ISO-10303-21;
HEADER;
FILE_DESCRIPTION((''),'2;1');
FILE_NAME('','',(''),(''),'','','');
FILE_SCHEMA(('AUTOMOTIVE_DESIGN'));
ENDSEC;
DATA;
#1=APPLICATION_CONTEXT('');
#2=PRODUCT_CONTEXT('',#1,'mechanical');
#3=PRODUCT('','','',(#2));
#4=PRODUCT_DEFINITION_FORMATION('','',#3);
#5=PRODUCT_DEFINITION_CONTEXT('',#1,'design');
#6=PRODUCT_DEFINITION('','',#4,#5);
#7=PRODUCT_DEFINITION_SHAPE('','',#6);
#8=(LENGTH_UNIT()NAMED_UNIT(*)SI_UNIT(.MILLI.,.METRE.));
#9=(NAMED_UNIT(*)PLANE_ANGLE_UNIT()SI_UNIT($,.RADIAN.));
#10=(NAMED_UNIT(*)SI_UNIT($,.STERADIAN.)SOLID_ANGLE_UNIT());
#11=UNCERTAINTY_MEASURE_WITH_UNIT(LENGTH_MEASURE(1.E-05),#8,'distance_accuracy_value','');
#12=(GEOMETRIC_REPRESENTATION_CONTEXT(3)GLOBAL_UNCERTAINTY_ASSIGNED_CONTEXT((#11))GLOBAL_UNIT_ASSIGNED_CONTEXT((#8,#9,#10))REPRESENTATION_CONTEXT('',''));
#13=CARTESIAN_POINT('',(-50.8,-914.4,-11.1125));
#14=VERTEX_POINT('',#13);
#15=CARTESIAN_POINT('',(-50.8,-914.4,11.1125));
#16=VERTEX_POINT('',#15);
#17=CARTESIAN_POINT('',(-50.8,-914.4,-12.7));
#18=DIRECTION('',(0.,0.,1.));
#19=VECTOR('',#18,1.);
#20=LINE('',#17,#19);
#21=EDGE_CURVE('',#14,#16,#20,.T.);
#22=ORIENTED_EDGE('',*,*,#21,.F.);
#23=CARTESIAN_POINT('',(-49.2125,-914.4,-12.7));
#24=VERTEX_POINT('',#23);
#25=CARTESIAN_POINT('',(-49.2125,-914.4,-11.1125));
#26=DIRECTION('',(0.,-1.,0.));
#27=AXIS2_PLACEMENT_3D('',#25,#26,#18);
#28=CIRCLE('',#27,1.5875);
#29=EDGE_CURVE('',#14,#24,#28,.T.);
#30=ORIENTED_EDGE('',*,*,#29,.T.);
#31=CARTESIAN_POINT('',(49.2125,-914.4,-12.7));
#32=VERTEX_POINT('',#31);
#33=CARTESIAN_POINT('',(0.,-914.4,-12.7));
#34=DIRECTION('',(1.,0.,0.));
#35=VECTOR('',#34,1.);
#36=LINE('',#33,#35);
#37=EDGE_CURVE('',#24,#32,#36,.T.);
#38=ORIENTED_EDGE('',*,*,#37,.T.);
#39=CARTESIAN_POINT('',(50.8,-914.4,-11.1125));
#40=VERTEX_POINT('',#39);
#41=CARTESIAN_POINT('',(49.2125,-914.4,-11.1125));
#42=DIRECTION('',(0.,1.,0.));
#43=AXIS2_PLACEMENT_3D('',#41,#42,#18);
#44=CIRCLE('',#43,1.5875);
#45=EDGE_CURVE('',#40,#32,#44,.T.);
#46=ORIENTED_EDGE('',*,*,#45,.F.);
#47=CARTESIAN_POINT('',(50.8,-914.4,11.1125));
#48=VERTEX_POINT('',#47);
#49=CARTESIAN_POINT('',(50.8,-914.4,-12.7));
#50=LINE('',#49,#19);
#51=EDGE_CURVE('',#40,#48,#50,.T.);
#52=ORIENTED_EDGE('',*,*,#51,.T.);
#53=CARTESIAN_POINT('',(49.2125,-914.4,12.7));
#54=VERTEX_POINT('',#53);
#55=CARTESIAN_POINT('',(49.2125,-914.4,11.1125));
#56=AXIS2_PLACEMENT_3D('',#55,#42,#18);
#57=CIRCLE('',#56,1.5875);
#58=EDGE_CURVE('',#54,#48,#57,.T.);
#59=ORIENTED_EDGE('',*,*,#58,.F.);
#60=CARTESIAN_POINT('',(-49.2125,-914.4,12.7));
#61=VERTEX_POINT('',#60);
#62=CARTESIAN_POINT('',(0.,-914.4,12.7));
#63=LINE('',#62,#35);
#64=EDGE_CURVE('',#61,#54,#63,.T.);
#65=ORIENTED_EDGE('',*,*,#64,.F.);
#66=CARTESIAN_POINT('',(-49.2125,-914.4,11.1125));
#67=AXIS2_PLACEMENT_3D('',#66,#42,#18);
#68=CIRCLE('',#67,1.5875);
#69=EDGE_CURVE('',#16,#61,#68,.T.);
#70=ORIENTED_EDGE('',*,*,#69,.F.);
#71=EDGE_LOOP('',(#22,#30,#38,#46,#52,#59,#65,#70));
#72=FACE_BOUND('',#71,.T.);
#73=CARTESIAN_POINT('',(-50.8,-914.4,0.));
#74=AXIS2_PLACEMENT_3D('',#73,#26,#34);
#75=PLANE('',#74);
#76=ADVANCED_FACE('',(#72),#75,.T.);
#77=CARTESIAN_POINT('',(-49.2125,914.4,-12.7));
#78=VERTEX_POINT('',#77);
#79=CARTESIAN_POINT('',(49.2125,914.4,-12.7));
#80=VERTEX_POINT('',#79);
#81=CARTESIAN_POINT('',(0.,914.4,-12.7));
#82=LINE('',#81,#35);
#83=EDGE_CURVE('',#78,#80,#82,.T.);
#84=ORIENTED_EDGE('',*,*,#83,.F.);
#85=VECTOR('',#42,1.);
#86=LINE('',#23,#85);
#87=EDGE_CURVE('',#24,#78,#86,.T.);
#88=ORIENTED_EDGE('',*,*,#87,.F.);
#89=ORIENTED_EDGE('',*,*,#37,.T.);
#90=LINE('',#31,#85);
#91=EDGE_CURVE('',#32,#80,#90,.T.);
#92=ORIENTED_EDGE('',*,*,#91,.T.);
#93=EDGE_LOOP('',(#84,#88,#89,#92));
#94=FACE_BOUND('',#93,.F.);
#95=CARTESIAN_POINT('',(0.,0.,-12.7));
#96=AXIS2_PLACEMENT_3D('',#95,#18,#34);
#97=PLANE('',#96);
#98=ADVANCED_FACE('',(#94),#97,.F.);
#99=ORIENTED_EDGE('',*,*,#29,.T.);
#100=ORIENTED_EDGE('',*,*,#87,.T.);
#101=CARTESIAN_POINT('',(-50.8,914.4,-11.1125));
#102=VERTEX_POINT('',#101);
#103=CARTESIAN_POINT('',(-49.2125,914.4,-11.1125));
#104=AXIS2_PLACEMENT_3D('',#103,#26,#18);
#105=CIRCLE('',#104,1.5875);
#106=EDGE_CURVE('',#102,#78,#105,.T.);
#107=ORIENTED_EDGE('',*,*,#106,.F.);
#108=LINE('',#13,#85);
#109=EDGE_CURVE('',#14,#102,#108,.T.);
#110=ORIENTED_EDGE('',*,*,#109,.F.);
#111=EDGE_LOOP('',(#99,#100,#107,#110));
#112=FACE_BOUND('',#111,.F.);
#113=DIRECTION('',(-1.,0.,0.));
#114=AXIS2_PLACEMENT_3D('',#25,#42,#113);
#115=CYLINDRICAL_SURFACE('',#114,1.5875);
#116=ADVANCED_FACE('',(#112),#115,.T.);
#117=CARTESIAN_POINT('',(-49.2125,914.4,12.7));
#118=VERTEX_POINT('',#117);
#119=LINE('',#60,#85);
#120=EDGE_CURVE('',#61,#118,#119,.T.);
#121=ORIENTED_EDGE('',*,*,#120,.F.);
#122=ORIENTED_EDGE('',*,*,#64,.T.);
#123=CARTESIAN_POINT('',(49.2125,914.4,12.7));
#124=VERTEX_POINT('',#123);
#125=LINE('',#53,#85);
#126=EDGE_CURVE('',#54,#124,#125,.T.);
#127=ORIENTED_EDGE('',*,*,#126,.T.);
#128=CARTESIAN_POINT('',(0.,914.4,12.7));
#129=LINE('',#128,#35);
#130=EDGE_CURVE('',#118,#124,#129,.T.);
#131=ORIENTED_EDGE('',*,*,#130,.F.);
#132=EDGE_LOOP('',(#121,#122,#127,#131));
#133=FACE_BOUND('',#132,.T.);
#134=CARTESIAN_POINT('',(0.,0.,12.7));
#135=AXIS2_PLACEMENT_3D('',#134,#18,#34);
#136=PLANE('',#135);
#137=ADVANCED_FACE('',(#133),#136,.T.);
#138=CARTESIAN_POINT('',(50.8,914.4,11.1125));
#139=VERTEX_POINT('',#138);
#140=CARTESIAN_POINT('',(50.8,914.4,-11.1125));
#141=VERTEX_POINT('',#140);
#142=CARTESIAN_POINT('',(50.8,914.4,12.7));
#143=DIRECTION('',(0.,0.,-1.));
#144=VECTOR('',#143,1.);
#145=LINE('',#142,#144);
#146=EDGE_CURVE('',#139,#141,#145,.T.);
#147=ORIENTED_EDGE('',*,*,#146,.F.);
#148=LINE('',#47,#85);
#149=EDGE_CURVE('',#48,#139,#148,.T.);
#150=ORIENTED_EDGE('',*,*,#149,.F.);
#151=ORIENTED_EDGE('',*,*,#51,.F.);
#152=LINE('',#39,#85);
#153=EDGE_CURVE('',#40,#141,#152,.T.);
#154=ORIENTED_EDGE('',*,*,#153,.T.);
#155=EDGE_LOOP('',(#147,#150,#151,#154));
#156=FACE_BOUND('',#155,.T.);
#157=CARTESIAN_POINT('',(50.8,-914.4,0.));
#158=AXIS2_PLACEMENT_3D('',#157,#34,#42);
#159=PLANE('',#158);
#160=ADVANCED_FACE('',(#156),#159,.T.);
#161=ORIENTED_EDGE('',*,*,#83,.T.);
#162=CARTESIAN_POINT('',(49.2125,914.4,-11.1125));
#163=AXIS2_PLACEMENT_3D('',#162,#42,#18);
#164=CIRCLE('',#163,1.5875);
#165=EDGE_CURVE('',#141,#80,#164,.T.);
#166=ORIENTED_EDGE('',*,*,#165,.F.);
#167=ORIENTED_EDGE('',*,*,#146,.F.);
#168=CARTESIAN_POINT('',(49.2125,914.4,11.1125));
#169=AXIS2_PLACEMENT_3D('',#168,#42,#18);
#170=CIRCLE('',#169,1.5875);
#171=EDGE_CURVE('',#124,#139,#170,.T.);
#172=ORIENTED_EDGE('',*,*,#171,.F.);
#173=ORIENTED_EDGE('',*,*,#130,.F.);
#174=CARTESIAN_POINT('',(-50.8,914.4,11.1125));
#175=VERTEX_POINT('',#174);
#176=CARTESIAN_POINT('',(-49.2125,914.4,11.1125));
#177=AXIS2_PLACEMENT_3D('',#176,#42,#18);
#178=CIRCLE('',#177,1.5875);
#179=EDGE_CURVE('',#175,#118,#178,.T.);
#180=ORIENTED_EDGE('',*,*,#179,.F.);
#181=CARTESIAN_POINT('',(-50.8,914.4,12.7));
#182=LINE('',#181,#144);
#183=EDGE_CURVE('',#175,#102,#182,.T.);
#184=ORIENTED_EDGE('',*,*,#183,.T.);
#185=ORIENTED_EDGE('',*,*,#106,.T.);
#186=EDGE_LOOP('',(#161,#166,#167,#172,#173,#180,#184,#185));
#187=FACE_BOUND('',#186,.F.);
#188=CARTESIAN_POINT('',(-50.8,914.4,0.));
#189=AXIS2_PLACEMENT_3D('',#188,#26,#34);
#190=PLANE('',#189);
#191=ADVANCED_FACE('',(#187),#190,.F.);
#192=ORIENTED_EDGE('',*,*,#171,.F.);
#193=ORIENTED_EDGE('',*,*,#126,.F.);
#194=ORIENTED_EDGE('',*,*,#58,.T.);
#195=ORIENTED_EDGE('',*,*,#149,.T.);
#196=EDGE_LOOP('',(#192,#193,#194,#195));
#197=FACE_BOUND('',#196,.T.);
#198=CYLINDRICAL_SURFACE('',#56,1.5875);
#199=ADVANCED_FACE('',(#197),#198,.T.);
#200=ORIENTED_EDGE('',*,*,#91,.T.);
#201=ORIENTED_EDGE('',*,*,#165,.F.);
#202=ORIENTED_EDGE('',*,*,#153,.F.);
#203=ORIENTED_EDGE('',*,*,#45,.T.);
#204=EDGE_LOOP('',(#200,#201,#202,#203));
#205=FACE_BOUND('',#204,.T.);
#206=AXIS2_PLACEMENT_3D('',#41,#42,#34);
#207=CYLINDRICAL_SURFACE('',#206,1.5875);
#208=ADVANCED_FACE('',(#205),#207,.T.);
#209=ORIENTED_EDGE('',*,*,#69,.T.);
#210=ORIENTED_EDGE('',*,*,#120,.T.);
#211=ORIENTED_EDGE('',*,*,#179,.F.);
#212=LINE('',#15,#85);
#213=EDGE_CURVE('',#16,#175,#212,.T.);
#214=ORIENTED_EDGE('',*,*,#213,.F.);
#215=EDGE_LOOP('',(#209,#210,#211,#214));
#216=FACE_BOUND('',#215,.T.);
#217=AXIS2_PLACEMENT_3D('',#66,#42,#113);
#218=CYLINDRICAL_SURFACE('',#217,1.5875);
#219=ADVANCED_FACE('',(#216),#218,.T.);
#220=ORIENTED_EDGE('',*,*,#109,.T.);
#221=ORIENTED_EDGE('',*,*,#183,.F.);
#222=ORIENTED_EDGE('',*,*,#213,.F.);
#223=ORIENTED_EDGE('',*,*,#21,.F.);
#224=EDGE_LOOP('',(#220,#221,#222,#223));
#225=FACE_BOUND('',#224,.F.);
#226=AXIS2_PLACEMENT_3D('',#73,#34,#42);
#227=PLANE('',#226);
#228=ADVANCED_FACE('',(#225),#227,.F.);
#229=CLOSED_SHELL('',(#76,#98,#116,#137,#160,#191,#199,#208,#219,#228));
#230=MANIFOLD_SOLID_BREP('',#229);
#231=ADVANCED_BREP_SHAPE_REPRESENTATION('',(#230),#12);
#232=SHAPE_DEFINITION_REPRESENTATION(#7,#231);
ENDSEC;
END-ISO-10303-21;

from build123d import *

# Parameters (mm, degrees)
F0_W     = 101.6
F0_H     = 1828.8
F1_DEPTH = 12.7
F2_R     = 1.5875


with BuildPart() as f1:
    # F0 (on Top) → F1 (new body, symmetric)
    with BuildSketch(Plane.XY):
        Rectangle(F0_W, F0_H)
    extrude(amount=F1_DEPTH, both=True)

    # F2
    f2_edges = [f1.edges().sort_by_distance(p)[0] for p in [
        (50.8, 0, 12.7),
        (-50.8, 0, 12.7),
        (50.8, 0, -12.7),
        (-50.8, 0, -12.7),
    ]]
    fillet(f2_edges, radius=F2_R)


solid = f1.part
